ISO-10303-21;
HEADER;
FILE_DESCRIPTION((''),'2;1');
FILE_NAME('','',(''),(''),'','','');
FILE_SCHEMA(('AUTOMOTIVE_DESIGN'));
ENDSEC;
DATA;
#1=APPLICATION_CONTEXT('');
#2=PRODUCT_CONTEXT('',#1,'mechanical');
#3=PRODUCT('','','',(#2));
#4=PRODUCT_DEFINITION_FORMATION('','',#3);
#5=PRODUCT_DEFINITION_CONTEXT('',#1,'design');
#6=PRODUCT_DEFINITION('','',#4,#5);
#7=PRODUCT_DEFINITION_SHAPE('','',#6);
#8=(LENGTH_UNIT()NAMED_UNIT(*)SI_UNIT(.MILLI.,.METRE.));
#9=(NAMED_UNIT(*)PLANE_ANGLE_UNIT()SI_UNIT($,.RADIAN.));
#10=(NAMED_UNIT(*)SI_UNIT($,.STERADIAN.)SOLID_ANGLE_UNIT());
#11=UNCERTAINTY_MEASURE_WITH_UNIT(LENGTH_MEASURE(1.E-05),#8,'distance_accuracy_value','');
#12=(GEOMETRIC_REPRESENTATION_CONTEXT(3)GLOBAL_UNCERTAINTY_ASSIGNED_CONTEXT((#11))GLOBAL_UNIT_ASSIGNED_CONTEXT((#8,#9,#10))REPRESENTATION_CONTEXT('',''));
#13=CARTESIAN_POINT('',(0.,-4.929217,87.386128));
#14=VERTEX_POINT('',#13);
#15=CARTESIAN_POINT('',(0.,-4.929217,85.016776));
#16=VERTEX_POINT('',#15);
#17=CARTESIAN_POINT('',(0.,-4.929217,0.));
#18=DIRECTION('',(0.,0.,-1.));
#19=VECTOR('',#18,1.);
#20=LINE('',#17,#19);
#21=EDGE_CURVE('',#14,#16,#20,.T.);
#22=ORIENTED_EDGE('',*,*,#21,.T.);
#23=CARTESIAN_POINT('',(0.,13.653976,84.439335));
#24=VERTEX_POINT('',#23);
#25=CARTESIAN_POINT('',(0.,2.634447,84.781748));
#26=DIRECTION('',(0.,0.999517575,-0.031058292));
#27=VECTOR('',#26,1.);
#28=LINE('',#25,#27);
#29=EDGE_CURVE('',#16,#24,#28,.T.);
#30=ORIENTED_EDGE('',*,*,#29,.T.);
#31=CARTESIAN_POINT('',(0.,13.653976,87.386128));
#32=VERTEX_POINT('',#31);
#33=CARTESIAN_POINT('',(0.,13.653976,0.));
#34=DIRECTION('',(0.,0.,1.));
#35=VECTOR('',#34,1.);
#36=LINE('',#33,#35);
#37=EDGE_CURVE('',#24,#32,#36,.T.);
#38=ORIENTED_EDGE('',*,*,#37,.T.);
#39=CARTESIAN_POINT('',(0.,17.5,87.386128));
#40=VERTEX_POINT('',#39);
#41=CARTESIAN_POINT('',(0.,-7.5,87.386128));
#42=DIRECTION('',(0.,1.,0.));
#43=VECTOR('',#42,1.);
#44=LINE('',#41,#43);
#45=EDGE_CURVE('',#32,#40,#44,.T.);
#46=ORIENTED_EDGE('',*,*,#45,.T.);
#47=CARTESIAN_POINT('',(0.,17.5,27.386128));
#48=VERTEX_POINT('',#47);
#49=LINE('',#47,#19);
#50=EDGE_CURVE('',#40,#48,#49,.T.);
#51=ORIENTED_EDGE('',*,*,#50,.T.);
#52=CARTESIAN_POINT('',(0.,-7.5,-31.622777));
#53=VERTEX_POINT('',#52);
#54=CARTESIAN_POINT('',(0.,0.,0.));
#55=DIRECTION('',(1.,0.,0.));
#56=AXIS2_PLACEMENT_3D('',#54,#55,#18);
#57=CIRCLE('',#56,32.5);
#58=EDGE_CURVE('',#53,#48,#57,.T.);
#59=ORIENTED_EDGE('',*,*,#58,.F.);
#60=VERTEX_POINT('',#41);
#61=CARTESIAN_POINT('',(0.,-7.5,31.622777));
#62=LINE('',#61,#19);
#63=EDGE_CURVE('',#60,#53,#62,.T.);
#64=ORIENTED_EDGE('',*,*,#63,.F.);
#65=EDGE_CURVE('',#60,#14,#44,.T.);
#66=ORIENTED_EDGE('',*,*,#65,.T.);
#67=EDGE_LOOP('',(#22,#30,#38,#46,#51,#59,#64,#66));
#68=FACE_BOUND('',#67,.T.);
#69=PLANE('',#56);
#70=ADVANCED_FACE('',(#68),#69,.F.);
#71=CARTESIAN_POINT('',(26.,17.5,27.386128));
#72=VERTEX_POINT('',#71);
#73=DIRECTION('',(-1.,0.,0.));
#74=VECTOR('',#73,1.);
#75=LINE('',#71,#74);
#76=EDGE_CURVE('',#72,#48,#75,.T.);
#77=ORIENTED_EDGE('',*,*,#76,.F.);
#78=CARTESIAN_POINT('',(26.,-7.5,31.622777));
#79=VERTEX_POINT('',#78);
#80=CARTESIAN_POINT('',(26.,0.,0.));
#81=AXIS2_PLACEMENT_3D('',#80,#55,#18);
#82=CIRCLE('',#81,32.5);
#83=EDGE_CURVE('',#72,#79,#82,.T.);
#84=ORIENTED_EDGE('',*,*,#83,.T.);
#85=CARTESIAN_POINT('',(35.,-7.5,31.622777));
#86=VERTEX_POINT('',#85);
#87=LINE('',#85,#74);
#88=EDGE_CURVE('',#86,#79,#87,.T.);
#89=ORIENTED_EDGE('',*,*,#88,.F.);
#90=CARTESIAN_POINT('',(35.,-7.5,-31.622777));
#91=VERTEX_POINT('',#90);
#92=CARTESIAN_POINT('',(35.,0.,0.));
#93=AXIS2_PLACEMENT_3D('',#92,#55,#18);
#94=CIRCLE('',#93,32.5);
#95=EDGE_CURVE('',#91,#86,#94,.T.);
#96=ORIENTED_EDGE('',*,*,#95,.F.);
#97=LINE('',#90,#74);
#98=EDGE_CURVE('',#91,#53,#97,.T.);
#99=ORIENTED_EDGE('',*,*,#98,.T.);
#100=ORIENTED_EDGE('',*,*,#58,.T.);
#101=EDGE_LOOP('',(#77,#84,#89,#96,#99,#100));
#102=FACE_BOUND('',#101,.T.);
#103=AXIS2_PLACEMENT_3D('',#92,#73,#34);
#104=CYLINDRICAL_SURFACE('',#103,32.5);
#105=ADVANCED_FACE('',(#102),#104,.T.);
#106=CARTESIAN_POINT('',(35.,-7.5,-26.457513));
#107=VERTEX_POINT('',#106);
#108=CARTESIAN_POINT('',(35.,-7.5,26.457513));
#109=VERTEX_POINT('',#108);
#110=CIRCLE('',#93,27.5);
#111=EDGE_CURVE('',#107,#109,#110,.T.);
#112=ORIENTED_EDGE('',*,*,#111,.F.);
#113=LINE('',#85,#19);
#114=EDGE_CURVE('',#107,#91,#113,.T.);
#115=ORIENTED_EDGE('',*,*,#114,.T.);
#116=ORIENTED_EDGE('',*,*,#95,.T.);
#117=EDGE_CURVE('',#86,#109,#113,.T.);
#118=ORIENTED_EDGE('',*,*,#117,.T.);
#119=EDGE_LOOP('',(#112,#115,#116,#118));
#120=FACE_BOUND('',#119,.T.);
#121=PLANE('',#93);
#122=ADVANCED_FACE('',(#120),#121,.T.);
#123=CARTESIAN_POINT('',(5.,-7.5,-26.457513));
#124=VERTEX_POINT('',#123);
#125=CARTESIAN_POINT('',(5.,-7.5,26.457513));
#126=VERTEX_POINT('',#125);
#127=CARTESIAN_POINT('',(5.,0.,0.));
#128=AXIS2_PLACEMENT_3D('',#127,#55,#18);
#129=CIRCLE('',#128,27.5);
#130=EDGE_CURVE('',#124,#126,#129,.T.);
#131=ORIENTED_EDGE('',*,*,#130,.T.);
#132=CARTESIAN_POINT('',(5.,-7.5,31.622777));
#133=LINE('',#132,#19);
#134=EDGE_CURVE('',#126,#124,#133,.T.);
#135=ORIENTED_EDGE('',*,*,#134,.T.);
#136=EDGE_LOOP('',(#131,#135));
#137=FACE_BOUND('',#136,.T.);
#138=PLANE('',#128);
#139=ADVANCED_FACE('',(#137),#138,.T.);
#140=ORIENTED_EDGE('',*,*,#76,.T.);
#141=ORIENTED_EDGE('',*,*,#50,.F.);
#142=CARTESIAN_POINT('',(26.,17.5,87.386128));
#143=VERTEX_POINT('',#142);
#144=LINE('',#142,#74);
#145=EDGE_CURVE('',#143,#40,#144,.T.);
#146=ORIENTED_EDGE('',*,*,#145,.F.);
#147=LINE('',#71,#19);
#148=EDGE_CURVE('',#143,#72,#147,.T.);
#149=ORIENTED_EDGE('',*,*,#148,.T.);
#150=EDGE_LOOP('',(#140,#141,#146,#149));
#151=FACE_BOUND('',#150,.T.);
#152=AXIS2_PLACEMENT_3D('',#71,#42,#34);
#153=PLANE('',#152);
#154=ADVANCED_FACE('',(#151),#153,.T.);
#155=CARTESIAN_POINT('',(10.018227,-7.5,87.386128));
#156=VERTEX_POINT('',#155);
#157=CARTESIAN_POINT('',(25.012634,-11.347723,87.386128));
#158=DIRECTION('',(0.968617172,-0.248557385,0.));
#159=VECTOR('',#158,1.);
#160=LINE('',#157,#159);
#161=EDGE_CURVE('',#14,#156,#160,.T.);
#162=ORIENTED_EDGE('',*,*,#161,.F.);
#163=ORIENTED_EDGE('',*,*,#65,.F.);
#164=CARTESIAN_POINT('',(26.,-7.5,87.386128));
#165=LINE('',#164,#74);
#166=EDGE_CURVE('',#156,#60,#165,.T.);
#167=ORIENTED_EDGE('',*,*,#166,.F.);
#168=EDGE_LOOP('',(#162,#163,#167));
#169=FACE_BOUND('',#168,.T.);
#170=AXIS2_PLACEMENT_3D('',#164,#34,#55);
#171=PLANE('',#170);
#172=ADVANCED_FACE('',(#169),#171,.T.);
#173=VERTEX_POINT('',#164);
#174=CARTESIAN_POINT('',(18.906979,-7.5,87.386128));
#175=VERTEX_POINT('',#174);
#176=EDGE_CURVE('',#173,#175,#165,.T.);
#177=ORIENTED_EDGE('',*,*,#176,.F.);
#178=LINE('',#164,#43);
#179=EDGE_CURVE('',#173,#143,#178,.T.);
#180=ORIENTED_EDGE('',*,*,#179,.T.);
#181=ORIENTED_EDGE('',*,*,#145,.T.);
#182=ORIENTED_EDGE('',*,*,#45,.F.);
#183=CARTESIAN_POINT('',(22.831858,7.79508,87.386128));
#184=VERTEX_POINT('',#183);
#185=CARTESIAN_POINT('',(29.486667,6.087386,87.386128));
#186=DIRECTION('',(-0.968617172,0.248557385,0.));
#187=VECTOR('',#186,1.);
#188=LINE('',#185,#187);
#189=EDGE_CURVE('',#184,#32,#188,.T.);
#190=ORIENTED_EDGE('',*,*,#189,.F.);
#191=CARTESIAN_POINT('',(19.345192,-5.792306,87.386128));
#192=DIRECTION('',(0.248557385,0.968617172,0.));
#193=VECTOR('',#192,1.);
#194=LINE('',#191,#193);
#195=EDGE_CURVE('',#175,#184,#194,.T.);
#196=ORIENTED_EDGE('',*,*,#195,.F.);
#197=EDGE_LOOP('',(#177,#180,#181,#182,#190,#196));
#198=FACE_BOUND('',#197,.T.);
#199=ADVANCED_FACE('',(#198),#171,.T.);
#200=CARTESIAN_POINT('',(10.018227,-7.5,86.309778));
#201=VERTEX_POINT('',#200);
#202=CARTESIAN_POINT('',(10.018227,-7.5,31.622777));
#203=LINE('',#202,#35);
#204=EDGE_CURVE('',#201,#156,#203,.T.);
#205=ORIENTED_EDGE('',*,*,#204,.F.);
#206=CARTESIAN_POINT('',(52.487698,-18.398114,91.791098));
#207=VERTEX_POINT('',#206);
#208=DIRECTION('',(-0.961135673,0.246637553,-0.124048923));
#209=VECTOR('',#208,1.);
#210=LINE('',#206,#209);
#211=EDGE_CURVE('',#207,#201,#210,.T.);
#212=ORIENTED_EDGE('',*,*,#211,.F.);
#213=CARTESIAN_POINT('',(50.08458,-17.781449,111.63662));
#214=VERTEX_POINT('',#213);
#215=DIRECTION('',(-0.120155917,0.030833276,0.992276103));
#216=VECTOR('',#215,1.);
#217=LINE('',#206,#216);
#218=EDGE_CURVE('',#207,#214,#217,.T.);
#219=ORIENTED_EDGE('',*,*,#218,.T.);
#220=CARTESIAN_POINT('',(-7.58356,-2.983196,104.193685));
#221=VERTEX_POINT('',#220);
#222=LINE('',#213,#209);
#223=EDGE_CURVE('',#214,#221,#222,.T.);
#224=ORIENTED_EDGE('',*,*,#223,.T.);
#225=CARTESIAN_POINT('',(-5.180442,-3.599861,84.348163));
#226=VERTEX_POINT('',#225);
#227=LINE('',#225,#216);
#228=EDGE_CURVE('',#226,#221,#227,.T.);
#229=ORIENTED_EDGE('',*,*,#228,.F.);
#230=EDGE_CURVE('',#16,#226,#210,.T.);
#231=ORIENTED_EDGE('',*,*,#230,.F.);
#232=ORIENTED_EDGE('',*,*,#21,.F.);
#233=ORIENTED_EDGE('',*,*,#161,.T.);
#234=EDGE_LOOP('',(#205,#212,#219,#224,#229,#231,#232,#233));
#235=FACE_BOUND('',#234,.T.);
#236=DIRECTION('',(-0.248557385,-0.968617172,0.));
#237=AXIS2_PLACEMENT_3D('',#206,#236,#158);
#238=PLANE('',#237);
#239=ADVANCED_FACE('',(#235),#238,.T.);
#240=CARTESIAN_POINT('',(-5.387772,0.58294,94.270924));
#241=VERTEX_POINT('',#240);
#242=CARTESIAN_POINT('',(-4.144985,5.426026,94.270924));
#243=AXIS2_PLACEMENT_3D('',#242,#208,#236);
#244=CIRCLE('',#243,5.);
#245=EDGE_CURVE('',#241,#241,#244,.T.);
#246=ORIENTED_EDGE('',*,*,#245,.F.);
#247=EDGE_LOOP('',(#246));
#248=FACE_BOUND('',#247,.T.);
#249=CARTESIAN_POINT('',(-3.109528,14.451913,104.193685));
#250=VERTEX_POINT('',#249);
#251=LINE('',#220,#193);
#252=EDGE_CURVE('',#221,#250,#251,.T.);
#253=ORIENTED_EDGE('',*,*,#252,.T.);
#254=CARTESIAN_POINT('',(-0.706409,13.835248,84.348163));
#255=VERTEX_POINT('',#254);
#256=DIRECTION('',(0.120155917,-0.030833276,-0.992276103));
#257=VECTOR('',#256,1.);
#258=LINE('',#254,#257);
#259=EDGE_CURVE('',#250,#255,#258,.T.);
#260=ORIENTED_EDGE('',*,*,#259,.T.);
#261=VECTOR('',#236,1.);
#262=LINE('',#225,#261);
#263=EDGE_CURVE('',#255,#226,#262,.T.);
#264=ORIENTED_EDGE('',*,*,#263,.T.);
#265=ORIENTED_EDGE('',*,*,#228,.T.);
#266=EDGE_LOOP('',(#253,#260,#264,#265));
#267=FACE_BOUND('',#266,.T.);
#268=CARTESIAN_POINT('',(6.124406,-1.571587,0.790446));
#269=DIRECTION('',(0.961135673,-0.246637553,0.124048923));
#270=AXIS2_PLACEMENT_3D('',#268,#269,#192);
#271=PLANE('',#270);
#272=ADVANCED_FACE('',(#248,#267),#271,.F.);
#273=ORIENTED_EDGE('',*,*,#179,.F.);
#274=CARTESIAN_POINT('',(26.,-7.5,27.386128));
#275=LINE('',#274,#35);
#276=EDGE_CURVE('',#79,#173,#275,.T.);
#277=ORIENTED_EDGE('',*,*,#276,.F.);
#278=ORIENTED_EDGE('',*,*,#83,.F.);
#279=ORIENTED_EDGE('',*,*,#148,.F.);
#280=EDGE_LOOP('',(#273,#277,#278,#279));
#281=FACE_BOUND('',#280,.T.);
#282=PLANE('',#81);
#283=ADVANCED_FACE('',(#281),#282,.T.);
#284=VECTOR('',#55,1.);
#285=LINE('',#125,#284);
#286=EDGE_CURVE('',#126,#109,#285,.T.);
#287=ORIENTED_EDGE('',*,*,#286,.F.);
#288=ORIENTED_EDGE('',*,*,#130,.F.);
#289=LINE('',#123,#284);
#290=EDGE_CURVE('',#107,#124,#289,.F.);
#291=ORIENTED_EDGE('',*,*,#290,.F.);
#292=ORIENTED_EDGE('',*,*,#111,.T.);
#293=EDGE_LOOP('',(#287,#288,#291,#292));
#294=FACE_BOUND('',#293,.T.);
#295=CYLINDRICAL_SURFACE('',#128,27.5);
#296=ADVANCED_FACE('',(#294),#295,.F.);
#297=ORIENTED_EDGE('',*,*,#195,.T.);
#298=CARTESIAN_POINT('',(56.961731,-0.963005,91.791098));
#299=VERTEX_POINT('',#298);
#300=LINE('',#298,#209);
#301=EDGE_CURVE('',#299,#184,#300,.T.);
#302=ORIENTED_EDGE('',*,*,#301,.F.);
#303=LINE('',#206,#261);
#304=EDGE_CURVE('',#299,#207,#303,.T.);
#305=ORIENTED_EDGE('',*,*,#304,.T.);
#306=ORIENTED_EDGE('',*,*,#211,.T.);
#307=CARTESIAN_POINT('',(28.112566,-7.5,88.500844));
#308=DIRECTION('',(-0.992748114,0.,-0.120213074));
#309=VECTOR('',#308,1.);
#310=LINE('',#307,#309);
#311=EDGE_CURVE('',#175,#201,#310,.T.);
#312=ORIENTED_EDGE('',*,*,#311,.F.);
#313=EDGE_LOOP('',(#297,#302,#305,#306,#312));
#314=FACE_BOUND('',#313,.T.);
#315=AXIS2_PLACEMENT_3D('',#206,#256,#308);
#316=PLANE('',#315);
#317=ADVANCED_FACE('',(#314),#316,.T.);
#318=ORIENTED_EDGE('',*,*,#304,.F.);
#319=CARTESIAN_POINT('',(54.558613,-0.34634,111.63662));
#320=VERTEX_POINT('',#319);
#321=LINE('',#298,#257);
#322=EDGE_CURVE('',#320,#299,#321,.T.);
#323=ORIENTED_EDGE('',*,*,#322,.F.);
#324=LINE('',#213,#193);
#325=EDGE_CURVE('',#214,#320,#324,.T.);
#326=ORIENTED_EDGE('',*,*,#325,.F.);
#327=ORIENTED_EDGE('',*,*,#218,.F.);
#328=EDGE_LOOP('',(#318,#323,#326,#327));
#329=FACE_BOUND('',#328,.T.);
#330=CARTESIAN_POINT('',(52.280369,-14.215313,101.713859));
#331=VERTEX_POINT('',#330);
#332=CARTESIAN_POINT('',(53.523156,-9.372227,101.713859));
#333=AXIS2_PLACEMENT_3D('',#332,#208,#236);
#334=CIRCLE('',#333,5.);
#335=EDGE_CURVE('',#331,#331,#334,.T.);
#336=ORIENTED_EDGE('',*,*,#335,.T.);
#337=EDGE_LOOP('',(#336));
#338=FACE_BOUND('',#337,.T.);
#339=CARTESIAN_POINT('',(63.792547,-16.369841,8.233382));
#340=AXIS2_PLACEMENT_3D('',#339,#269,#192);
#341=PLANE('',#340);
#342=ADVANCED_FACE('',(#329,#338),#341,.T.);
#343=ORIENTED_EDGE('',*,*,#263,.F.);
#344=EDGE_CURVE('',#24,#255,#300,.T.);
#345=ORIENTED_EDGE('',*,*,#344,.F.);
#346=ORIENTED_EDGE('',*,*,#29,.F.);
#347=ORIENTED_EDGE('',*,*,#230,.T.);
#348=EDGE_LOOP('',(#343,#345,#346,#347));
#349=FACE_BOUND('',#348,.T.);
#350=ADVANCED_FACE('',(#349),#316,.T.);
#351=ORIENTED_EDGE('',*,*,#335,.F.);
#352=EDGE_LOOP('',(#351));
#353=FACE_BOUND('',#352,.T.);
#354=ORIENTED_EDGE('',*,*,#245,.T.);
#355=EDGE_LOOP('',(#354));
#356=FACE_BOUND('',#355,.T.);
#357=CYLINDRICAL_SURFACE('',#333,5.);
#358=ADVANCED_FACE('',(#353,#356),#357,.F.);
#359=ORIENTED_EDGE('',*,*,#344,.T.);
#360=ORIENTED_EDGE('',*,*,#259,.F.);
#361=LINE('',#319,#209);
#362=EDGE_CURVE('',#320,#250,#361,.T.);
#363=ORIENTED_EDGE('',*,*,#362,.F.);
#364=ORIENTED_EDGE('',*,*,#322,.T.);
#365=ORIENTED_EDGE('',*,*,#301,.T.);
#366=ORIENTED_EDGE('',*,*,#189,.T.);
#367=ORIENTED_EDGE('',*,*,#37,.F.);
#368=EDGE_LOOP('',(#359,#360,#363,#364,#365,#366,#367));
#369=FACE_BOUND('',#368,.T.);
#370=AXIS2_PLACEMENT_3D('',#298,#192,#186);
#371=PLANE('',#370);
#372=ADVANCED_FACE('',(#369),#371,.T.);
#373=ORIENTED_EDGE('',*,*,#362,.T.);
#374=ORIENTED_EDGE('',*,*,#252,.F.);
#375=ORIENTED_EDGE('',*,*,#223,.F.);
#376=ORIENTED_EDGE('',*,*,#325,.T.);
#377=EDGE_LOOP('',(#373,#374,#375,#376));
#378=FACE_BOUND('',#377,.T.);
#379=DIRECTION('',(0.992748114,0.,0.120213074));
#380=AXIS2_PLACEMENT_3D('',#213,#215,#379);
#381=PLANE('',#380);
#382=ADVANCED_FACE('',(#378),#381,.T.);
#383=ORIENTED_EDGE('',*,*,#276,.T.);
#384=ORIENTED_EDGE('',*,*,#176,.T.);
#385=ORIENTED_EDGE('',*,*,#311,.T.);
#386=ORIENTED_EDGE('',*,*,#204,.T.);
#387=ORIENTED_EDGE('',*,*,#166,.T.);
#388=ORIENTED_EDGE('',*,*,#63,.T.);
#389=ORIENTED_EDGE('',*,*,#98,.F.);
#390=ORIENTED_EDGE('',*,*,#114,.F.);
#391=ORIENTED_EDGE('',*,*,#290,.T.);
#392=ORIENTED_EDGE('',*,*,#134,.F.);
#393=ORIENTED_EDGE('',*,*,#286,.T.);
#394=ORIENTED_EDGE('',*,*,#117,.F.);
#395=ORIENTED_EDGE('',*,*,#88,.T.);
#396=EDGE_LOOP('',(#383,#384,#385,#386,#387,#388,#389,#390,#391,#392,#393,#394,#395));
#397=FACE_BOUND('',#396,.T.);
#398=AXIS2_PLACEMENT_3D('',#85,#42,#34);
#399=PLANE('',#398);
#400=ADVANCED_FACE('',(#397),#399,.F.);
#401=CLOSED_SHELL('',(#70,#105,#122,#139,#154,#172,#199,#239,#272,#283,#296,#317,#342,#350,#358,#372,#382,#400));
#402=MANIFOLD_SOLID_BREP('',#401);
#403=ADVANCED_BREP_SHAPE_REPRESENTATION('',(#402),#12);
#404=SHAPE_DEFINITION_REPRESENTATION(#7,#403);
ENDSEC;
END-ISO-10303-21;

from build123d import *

# Parameters (mm, degrees)
EXTRUDE_1_DEPTH      = 35
SKETCH_6_W           = 60
SKETCH_6_H           = 25
EXTRUDE_2_DEPTH      = 26
SKETCH_4_R           = 27.5
CUT_EXTRUDE_1_DEPTH  = 30
EXTRUDE_3_DEPTH      = 22
EXTRUDE_3_DEPTH_BACK = 38
SKETCH_12_W          = 20
SKETCH_12_H          = 18
SKETCH_12_R          = 5


with BuildPart() as part:
    # 草图2 → 凸台-拉伸1 (new body)
    with BuildSketch(Plane(origin=(0, 0, 0), x_dir=(0, 0, -1), z_dir=(1, 0, 0))):
        with BuildLine():
            Line((-31.622776602, -7.5), (31.622776602, -7.5))
            ThreePointArc((31.622776602, -7.5), (0, 32.5), (-31.622776602, -7.5))
        make_face()
    extrude(amount=EXTRUDE_1_DEPTH)

    # 草图6 → 凸台-拉伸2 (add)
    with BuildSketch(Plane.ZY):
        with Locations((57.386127875, 5)):
            Rectangle(SKETCH_6_W, SKETCH_6_H)
    extrude(amount=-EXTRUDE_2_DEPTH)

    # 草图4 → 切除-拉伸1 (cut)
    with BuildSketch(Plane(origin=(35, 0, 0), x_dir=(0, 0, -1), z_dir=(1, 0, 0))):
        Circle(SKETCH_4_R)
    extrude(amount=-CUT_EXTRUDE_1_DEPTH, mode=Mode.SUBTRACT)

    # 草图12 → 凸台-拉伸3 (add, two sides: drawn at the far end of the back side and taken through both)
    with BuildSketch(Plane(origin=(17, 0, 97), x_dir=(-0.12015591727422713, 0.0308332759507369, 0.9922761030268414), z_dir=(-0.9611356730519813, 0.246637553152495, -0.12404892325959627)).offset(-EXTRUDE_3_DEPTH_BACK)):
        Rectangle(SKETCH_12_W, SKETCH_12_H)
        Circle(SKETCH_12_R, mode=Mode.SUBTRACT)
    extrude(amount=EXTRUDE_3_DEPTH + EXTRUDE_3_DEPTH_BACK)


solid = part.part
